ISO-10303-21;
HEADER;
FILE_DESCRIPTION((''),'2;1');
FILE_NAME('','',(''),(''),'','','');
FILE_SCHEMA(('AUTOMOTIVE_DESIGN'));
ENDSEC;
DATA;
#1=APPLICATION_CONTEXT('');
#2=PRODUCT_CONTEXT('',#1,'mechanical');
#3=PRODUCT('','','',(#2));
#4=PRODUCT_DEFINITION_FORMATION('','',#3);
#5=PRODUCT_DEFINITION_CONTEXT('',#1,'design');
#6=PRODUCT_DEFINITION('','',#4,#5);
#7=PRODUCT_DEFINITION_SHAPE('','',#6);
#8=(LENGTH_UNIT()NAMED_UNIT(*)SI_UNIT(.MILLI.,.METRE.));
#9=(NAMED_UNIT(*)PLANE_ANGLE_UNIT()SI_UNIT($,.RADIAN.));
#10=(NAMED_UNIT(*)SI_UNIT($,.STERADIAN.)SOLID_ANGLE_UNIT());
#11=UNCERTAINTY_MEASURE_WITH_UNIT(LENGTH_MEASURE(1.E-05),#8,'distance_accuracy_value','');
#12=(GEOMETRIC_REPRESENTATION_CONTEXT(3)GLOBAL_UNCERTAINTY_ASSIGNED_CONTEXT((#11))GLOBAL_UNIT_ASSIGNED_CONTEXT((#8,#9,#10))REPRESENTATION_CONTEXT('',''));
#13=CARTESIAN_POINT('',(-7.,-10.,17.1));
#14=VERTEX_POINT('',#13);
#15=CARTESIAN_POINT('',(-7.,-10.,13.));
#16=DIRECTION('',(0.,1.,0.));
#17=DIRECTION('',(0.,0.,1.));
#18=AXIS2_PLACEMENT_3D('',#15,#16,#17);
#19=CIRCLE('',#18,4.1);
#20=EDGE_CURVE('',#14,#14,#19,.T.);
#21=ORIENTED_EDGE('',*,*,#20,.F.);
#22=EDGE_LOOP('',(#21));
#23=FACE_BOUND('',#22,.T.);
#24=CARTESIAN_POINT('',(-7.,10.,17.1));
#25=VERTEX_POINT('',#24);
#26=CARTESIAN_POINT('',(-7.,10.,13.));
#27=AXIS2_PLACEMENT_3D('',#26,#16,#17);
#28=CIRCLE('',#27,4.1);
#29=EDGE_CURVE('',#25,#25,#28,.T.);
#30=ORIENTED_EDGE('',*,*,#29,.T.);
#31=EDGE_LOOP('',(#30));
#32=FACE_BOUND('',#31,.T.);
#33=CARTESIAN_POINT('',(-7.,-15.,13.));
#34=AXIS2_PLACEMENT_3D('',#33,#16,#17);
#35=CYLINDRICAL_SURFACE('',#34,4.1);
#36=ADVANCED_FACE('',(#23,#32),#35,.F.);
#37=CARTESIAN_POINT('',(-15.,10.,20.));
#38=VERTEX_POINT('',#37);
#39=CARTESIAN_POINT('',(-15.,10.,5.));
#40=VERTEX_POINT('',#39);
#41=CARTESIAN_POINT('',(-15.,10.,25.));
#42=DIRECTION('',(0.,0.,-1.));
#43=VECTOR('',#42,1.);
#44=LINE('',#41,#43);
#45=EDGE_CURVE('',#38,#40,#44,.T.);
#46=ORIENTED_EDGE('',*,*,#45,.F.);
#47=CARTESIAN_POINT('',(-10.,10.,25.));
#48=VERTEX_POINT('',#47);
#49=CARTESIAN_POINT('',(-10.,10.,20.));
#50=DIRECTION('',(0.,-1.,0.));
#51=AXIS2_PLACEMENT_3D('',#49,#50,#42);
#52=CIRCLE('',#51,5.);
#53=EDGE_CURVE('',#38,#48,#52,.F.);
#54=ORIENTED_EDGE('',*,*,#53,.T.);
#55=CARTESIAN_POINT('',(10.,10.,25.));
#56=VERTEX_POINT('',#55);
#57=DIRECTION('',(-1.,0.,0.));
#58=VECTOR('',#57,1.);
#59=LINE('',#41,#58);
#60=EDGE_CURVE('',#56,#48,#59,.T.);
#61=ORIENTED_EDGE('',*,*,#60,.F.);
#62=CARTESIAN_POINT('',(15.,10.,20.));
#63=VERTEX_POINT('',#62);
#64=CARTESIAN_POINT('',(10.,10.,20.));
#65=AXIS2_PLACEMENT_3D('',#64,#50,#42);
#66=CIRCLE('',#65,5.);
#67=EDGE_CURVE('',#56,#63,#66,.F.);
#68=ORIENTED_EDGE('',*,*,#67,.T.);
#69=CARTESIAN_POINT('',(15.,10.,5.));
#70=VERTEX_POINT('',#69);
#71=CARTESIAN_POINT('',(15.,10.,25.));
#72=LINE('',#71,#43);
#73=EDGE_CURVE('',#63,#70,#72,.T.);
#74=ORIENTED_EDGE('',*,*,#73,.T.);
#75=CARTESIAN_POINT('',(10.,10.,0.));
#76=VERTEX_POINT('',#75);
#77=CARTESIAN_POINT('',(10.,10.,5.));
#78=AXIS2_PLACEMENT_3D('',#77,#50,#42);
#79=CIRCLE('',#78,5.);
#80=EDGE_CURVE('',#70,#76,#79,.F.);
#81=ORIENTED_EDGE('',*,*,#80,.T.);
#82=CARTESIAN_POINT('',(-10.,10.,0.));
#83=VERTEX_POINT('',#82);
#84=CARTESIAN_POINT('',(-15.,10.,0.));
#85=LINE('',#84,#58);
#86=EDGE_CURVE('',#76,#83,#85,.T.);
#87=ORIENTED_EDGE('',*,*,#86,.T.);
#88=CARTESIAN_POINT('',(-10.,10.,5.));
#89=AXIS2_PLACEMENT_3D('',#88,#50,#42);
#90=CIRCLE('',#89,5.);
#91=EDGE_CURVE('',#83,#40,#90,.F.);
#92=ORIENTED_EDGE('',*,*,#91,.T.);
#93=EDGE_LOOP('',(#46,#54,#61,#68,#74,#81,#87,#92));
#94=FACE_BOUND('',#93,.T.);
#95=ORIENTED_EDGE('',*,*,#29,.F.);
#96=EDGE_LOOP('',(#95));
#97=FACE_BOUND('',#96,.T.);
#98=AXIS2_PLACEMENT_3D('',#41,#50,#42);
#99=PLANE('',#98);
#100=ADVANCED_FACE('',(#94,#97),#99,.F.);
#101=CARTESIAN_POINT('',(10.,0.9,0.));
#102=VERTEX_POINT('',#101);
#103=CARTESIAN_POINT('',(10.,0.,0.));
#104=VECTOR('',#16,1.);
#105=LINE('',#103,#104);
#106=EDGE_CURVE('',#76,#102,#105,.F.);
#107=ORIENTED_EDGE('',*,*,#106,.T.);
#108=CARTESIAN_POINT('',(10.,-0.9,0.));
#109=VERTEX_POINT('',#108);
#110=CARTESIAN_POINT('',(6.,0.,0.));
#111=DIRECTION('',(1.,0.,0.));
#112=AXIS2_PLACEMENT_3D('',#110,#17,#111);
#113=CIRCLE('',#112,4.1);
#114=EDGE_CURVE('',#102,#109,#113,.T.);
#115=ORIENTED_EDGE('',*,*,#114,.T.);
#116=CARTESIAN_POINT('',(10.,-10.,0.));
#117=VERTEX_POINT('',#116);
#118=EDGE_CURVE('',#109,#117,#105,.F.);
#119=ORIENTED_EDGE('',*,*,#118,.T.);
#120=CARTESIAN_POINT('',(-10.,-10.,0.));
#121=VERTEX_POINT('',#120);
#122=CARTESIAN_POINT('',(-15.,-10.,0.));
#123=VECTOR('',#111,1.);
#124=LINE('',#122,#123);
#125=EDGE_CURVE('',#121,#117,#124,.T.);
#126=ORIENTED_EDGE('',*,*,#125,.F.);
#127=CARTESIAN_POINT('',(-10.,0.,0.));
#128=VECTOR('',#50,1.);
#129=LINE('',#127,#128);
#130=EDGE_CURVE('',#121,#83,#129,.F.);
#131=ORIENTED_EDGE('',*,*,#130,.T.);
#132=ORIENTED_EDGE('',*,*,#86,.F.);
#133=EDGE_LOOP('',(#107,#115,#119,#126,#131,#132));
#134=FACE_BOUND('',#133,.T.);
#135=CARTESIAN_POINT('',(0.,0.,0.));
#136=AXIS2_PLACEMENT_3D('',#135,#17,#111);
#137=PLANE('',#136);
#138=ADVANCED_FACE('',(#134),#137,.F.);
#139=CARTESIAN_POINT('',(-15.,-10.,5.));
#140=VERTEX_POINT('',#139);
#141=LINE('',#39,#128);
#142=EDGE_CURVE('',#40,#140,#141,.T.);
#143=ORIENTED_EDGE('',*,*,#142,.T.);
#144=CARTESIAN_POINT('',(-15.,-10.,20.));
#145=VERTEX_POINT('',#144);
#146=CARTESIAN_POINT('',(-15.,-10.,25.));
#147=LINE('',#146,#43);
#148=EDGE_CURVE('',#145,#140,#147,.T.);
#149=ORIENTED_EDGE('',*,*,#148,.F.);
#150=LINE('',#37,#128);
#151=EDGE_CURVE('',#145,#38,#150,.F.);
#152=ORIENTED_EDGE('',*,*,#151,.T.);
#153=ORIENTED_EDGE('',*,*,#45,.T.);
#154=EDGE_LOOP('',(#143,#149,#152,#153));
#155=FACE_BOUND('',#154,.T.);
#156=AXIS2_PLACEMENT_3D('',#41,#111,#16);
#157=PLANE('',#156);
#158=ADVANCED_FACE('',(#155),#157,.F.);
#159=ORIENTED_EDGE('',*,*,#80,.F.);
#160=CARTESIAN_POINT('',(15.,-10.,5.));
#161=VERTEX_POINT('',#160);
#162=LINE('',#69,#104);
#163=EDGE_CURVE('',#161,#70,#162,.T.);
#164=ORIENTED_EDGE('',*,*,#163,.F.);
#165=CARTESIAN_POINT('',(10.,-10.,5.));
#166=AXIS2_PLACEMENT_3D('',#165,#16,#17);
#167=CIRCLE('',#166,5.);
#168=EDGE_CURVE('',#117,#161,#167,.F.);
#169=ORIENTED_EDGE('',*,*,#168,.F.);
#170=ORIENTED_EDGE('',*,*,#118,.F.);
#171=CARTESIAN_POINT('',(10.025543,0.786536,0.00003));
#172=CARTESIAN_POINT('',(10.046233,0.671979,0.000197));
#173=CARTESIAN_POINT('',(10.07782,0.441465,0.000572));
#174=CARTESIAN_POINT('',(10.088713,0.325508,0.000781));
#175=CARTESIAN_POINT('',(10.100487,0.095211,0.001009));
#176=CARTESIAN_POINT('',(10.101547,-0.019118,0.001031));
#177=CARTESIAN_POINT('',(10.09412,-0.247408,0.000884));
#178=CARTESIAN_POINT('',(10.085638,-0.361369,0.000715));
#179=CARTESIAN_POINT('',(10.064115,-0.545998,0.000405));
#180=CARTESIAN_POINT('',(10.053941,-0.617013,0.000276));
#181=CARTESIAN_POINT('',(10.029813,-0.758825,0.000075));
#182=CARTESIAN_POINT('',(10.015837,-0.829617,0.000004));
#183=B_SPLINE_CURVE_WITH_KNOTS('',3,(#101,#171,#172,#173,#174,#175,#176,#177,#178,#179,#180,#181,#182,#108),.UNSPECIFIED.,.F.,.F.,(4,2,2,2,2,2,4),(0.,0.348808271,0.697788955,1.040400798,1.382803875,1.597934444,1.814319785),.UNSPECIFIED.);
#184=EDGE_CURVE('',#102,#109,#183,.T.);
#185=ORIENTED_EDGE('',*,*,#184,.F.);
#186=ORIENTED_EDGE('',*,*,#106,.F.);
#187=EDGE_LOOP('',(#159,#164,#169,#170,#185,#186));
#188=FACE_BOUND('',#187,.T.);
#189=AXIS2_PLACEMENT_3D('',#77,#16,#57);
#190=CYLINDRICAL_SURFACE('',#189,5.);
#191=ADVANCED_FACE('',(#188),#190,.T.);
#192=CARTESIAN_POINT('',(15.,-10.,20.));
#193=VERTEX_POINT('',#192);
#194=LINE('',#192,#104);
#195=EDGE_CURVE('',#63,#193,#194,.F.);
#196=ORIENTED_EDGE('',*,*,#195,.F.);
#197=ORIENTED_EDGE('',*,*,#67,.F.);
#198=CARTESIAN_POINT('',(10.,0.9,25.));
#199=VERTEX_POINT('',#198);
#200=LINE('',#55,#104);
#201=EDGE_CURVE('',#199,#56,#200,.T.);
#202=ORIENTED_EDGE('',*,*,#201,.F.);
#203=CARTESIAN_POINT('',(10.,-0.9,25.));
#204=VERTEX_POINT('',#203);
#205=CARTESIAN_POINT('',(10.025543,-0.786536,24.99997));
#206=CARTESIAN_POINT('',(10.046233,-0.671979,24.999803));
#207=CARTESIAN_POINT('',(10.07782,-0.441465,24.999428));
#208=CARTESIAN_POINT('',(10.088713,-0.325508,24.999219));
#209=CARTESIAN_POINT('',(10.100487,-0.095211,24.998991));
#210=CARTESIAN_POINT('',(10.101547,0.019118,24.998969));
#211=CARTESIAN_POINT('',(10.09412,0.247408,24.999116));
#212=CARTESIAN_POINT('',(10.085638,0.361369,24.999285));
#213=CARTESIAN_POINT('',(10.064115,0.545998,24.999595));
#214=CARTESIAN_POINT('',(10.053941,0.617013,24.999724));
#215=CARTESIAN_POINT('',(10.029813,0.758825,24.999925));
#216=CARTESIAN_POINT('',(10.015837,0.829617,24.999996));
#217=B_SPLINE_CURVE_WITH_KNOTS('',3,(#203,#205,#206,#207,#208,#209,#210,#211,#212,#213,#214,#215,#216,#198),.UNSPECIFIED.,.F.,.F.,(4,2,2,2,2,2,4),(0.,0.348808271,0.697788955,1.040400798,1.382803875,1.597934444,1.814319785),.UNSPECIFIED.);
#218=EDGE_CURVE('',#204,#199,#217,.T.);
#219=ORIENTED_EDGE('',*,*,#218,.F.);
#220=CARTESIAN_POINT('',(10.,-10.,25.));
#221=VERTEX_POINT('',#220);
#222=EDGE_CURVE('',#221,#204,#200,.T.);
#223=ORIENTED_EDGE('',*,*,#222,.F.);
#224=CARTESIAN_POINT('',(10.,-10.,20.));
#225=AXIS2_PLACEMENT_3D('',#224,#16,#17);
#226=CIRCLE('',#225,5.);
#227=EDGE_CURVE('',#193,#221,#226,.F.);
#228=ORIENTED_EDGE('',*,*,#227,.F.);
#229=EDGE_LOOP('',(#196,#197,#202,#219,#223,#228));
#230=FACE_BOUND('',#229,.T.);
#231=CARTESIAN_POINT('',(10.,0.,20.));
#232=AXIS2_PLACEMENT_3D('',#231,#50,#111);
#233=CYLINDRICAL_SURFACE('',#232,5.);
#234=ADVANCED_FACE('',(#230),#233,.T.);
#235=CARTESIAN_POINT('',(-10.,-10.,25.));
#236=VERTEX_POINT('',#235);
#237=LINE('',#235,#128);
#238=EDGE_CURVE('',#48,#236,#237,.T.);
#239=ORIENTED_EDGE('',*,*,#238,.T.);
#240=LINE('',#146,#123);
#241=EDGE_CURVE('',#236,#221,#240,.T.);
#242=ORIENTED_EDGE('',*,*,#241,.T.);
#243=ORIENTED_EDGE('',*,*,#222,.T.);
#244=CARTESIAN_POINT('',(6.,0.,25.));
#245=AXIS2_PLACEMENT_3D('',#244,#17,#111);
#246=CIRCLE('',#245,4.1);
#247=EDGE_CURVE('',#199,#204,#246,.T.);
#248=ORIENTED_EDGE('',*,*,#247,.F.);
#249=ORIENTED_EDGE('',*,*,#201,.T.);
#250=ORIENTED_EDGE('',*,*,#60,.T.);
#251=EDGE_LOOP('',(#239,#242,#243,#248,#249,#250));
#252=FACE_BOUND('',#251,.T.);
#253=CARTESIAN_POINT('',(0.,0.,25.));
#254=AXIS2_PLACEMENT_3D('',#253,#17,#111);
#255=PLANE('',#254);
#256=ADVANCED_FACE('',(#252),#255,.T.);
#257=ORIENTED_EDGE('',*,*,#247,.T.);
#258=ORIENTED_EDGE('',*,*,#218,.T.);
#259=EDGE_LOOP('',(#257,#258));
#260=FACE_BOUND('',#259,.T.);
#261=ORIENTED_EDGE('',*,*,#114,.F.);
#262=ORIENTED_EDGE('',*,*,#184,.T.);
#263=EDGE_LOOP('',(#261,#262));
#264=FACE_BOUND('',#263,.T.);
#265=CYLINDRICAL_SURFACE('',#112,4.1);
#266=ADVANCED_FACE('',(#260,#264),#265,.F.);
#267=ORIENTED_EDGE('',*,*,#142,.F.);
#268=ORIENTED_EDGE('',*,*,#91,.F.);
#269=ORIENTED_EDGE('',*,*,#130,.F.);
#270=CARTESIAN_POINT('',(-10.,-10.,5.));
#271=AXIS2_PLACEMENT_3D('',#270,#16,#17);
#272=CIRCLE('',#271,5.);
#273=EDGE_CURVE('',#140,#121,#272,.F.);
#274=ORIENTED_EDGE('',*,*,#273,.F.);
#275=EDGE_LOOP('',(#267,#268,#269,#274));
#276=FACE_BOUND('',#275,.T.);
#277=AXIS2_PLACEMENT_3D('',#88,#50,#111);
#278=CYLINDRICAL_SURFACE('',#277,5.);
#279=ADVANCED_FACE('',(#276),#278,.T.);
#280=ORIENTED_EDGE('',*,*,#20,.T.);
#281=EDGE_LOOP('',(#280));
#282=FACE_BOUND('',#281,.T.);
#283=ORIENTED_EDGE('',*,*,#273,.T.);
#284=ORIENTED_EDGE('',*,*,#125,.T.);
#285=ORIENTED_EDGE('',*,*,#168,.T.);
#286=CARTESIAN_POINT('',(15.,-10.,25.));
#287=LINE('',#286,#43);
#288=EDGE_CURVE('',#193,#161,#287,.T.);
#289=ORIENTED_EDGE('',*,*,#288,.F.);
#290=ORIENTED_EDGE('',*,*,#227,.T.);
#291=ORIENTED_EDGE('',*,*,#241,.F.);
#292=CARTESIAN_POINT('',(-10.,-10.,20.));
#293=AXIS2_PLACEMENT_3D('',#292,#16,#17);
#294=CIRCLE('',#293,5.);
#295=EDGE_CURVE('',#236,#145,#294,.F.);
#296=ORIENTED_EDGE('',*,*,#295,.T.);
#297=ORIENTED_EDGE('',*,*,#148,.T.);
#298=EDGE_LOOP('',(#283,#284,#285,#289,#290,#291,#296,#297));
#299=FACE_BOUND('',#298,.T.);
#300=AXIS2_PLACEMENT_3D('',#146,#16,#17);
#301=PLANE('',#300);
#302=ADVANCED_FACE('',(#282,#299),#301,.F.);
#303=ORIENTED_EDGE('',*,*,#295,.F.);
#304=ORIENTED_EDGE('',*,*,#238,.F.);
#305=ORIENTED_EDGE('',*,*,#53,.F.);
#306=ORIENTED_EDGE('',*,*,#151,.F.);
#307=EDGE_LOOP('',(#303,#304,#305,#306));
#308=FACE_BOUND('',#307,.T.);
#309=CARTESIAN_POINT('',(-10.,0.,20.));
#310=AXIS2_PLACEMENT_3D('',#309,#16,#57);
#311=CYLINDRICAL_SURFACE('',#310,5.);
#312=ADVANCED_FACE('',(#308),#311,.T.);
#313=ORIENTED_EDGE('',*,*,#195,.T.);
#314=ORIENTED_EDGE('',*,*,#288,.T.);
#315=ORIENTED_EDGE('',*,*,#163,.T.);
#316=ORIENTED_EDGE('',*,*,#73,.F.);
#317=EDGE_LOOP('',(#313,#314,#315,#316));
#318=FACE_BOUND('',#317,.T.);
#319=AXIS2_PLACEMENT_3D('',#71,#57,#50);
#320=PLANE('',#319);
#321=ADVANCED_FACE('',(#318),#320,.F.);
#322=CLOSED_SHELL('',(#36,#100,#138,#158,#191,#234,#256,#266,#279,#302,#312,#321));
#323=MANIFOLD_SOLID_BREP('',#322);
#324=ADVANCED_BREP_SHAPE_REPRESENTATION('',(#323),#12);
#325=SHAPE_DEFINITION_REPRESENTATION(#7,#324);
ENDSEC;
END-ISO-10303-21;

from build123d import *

# Parameters (mm, degrees)
SKETCH_1_W          = 30
SKETCH_1_H          = 20
EXTRUDE_1_DEPTH     = 25
SKETCH_2_R          = 4.1
CUT_EXTRUDE_1_DEPTH = 25
SKETCH_3_R          = 4.1
CUT_EXTRUDE_2_DEPTH = 25
FILLET_2_R          = 5


with BuildPart() as part:
    # 草图1 → 凸台-拉伸1 (new body)
    with BuildSketch(Plane.XY):
        Rectangle(SKETCH_1_W, SKETCH_1_H)
    extrude(amount=EXTRUDE_1_DEPTH)

    # 草图2 → 切除-拉伸1 (cut)
    with BuildSketch(Plane.XY.offset(25)):
        with Locations((6, 0)):
            Circle(SKETCH_2_R)
    extrude(amount=-CUT_EXTRUDE_1_DEPTH, mode=Mode.SUBTRACT)

    # 草图3 → 切除-拉伸2 (cut)
    with BuildSketch(Plane(origin=(0, 10, 0), x_dir=(1, 0, 0), z_dir=(0, 1, 0))):
        with Locations(Location((-7, -13, 0), (0, 0, 270))):
            Circle(SKETCH_3_R)
    extrude(amount=-CUT_EXTRUDE_2_DEPTH, mode=Mode.SUBTRACT)

    # 圆角2
    fillet_2_edges = [part.edges().sort_by_distance(p)[0] for p in [
        (-15, 0, 25),
        (15, 0, 25),
        (-15, 0, 0),
        (15, 0, 0),
    ]]
    fillet(fillet_2_edges, radius=FILLET_2_R)


solid = part.part
